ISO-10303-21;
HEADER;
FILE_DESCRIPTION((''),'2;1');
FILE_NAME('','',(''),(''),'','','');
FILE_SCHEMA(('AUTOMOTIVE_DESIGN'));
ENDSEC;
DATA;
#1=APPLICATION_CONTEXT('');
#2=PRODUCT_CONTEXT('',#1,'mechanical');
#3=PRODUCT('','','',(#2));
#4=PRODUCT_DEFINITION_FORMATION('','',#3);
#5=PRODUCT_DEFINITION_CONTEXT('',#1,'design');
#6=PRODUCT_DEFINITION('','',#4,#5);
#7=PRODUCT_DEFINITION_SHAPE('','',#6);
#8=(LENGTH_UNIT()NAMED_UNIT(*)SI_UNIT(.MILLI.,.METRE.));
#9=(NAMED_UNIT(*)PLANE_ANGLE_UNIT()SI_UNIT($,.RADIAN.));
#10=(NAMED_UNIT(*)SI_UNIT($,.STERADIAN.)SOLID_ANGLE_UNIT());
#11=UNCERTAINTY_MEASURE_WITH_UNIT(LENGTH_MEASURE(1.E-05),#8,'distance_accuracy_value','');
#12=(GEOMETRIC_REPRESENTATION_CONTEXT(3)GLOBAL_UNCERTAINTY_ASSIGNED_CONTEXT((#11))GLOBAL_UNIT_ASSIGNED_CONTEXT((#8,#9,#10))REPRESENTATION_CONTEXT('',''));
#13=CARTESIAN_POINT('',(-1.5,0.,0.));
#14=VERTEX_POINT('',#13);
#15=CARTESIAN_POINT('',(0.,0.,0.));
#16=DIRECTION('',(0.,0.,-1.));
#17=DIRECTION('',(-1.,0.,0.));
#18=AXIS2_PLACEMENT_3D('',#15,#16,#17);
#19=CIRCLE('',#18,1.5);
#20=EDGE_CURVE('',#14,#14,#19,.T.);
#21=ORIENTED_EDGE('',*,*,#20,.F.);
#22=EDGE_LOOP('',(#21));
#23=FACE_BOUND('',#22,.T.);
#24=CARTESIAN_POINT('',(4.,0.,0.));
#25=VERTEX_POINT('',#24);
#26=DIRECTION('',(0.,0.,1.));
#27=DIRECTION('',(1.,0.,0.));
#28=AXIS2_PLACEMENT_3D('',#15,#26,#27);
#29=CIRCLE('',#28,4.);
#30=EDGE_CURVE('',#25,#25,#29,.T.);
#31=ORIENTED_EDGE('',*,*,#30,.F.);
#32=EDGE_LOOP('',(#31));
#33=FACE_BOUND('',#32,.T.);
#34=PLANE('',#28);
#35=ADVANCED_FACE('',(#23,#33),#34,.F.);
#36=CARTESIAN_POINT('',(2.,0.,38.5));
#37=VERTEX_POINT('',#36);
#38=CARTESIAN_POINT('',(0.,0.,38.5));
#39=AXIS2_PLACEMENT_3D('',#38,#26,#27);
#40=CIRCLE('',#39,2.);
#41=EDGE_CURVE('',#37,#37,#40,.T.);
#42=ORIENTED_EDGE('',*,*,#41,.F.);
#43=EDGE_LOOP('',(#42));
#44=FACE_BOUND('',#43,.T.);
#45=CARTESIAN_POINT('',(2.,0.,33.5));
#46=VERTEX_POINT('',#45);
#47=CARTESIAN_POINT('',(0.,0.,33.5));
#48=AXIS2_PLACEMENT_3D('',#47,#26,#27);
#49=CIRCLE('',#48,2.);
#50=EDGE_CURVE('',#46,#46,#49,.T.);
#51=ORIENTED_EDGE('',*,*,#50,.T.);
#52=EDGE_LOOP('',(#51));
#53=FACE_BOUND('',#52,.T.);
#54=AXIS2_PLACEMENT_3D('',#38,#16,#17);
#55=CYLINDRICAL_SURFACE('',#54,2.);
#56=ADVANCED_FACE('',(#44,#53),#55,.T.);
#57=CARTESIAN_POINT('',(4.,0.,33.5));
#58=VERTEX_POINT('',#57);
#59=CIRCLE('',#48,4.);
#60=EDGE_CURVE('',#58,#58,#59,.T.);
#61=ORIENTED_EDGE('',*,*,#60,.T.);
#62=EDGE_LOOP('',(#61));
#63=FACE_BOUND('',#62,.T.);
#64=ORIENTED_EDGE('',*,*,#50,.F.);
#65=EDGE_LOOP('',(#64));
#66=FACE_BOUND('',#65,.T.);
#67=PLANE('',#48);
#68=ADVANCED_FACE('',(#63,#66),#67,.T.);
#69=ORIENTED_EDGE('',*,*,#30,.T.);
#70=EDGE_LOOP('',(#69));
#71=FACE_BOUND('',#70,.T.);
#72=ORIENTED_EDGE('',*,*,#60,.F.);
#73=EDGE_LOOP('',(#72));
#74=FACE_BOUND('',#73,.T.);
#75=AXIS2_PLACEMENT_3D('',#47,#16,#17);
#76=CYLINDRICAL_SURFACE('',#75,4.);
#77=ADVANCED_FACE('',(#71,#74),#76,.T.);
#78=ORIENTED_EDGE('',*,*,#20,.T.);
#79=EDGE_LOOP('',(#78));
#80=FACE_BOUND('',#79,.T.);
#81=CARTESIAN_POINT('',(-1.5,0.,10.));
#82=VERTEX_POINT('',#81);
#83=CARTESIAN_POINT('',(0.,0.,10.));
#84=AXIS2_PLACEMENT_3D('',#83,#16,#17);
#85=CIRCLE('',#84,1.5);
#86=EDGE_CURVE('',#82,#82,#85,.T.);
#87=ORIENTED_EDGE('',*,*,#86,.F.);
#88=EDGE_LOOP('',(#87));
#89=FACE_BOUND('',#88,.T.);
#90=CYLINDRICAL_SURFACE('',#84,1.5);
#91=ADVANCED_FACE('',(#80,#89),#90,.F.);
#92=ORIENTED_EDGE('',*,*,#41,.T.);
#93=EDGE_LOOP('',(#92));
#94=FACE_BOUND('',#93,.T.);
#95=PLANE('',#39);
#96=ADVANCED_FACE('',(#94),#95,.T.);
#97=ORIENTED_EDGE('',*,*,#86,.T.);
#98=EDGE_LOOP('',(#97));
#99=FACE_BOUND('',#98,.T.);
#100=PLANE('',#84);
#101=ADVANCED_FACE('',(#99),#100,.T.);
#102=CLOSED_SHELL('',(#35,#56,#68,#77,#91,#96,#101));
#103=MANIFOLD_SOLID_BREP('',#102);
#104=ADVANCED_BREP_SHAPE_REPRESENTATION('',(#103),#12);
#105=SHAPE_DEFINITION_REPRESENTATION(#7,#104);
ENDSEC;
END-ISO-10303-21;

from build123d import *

# Parameters (mm, degrees)
SKETCH1_R           = 4
BOSS_EXTRUDE1_DEPTH = 33.5
SKETCH2_R           = 2
BOSS_EXTRUDE2_DEPTH = 5
SKETCH3_R           = 1.5
CUT_EXTRUDE1_DEPTH  = 10


with BuildPart() as part:
    # Sketch1 → Boss-Extrude1 (new body)
    with BuildSketch(Plane.XY):
        Circle(SKETCH1_R)
    extrude(amount=BOSS_EXTRUDE1_DEPTH)

    # Sketch2 → Boss-Extrude2 (add)
    with BuildSketch(Plane.XY.offset(33.5)):
        Circle(SKETCH2_R)
    extrude(amount=BOSS_EXTRUDE2_DEPTH)

    # Sketch3 → Cut-Extrude1 (cut)
    with BuildSketch(Plane(origin=(0, 0, 0), x_dir=(-1, 0, 0), z_dir=(0, 0, -1))):
        Circle(SKETCH3_R)
    extrude(amount=-CUT_EXTRUDE1_DEPTH, mode=Mode.SUBTRACT)


solid = part.part
